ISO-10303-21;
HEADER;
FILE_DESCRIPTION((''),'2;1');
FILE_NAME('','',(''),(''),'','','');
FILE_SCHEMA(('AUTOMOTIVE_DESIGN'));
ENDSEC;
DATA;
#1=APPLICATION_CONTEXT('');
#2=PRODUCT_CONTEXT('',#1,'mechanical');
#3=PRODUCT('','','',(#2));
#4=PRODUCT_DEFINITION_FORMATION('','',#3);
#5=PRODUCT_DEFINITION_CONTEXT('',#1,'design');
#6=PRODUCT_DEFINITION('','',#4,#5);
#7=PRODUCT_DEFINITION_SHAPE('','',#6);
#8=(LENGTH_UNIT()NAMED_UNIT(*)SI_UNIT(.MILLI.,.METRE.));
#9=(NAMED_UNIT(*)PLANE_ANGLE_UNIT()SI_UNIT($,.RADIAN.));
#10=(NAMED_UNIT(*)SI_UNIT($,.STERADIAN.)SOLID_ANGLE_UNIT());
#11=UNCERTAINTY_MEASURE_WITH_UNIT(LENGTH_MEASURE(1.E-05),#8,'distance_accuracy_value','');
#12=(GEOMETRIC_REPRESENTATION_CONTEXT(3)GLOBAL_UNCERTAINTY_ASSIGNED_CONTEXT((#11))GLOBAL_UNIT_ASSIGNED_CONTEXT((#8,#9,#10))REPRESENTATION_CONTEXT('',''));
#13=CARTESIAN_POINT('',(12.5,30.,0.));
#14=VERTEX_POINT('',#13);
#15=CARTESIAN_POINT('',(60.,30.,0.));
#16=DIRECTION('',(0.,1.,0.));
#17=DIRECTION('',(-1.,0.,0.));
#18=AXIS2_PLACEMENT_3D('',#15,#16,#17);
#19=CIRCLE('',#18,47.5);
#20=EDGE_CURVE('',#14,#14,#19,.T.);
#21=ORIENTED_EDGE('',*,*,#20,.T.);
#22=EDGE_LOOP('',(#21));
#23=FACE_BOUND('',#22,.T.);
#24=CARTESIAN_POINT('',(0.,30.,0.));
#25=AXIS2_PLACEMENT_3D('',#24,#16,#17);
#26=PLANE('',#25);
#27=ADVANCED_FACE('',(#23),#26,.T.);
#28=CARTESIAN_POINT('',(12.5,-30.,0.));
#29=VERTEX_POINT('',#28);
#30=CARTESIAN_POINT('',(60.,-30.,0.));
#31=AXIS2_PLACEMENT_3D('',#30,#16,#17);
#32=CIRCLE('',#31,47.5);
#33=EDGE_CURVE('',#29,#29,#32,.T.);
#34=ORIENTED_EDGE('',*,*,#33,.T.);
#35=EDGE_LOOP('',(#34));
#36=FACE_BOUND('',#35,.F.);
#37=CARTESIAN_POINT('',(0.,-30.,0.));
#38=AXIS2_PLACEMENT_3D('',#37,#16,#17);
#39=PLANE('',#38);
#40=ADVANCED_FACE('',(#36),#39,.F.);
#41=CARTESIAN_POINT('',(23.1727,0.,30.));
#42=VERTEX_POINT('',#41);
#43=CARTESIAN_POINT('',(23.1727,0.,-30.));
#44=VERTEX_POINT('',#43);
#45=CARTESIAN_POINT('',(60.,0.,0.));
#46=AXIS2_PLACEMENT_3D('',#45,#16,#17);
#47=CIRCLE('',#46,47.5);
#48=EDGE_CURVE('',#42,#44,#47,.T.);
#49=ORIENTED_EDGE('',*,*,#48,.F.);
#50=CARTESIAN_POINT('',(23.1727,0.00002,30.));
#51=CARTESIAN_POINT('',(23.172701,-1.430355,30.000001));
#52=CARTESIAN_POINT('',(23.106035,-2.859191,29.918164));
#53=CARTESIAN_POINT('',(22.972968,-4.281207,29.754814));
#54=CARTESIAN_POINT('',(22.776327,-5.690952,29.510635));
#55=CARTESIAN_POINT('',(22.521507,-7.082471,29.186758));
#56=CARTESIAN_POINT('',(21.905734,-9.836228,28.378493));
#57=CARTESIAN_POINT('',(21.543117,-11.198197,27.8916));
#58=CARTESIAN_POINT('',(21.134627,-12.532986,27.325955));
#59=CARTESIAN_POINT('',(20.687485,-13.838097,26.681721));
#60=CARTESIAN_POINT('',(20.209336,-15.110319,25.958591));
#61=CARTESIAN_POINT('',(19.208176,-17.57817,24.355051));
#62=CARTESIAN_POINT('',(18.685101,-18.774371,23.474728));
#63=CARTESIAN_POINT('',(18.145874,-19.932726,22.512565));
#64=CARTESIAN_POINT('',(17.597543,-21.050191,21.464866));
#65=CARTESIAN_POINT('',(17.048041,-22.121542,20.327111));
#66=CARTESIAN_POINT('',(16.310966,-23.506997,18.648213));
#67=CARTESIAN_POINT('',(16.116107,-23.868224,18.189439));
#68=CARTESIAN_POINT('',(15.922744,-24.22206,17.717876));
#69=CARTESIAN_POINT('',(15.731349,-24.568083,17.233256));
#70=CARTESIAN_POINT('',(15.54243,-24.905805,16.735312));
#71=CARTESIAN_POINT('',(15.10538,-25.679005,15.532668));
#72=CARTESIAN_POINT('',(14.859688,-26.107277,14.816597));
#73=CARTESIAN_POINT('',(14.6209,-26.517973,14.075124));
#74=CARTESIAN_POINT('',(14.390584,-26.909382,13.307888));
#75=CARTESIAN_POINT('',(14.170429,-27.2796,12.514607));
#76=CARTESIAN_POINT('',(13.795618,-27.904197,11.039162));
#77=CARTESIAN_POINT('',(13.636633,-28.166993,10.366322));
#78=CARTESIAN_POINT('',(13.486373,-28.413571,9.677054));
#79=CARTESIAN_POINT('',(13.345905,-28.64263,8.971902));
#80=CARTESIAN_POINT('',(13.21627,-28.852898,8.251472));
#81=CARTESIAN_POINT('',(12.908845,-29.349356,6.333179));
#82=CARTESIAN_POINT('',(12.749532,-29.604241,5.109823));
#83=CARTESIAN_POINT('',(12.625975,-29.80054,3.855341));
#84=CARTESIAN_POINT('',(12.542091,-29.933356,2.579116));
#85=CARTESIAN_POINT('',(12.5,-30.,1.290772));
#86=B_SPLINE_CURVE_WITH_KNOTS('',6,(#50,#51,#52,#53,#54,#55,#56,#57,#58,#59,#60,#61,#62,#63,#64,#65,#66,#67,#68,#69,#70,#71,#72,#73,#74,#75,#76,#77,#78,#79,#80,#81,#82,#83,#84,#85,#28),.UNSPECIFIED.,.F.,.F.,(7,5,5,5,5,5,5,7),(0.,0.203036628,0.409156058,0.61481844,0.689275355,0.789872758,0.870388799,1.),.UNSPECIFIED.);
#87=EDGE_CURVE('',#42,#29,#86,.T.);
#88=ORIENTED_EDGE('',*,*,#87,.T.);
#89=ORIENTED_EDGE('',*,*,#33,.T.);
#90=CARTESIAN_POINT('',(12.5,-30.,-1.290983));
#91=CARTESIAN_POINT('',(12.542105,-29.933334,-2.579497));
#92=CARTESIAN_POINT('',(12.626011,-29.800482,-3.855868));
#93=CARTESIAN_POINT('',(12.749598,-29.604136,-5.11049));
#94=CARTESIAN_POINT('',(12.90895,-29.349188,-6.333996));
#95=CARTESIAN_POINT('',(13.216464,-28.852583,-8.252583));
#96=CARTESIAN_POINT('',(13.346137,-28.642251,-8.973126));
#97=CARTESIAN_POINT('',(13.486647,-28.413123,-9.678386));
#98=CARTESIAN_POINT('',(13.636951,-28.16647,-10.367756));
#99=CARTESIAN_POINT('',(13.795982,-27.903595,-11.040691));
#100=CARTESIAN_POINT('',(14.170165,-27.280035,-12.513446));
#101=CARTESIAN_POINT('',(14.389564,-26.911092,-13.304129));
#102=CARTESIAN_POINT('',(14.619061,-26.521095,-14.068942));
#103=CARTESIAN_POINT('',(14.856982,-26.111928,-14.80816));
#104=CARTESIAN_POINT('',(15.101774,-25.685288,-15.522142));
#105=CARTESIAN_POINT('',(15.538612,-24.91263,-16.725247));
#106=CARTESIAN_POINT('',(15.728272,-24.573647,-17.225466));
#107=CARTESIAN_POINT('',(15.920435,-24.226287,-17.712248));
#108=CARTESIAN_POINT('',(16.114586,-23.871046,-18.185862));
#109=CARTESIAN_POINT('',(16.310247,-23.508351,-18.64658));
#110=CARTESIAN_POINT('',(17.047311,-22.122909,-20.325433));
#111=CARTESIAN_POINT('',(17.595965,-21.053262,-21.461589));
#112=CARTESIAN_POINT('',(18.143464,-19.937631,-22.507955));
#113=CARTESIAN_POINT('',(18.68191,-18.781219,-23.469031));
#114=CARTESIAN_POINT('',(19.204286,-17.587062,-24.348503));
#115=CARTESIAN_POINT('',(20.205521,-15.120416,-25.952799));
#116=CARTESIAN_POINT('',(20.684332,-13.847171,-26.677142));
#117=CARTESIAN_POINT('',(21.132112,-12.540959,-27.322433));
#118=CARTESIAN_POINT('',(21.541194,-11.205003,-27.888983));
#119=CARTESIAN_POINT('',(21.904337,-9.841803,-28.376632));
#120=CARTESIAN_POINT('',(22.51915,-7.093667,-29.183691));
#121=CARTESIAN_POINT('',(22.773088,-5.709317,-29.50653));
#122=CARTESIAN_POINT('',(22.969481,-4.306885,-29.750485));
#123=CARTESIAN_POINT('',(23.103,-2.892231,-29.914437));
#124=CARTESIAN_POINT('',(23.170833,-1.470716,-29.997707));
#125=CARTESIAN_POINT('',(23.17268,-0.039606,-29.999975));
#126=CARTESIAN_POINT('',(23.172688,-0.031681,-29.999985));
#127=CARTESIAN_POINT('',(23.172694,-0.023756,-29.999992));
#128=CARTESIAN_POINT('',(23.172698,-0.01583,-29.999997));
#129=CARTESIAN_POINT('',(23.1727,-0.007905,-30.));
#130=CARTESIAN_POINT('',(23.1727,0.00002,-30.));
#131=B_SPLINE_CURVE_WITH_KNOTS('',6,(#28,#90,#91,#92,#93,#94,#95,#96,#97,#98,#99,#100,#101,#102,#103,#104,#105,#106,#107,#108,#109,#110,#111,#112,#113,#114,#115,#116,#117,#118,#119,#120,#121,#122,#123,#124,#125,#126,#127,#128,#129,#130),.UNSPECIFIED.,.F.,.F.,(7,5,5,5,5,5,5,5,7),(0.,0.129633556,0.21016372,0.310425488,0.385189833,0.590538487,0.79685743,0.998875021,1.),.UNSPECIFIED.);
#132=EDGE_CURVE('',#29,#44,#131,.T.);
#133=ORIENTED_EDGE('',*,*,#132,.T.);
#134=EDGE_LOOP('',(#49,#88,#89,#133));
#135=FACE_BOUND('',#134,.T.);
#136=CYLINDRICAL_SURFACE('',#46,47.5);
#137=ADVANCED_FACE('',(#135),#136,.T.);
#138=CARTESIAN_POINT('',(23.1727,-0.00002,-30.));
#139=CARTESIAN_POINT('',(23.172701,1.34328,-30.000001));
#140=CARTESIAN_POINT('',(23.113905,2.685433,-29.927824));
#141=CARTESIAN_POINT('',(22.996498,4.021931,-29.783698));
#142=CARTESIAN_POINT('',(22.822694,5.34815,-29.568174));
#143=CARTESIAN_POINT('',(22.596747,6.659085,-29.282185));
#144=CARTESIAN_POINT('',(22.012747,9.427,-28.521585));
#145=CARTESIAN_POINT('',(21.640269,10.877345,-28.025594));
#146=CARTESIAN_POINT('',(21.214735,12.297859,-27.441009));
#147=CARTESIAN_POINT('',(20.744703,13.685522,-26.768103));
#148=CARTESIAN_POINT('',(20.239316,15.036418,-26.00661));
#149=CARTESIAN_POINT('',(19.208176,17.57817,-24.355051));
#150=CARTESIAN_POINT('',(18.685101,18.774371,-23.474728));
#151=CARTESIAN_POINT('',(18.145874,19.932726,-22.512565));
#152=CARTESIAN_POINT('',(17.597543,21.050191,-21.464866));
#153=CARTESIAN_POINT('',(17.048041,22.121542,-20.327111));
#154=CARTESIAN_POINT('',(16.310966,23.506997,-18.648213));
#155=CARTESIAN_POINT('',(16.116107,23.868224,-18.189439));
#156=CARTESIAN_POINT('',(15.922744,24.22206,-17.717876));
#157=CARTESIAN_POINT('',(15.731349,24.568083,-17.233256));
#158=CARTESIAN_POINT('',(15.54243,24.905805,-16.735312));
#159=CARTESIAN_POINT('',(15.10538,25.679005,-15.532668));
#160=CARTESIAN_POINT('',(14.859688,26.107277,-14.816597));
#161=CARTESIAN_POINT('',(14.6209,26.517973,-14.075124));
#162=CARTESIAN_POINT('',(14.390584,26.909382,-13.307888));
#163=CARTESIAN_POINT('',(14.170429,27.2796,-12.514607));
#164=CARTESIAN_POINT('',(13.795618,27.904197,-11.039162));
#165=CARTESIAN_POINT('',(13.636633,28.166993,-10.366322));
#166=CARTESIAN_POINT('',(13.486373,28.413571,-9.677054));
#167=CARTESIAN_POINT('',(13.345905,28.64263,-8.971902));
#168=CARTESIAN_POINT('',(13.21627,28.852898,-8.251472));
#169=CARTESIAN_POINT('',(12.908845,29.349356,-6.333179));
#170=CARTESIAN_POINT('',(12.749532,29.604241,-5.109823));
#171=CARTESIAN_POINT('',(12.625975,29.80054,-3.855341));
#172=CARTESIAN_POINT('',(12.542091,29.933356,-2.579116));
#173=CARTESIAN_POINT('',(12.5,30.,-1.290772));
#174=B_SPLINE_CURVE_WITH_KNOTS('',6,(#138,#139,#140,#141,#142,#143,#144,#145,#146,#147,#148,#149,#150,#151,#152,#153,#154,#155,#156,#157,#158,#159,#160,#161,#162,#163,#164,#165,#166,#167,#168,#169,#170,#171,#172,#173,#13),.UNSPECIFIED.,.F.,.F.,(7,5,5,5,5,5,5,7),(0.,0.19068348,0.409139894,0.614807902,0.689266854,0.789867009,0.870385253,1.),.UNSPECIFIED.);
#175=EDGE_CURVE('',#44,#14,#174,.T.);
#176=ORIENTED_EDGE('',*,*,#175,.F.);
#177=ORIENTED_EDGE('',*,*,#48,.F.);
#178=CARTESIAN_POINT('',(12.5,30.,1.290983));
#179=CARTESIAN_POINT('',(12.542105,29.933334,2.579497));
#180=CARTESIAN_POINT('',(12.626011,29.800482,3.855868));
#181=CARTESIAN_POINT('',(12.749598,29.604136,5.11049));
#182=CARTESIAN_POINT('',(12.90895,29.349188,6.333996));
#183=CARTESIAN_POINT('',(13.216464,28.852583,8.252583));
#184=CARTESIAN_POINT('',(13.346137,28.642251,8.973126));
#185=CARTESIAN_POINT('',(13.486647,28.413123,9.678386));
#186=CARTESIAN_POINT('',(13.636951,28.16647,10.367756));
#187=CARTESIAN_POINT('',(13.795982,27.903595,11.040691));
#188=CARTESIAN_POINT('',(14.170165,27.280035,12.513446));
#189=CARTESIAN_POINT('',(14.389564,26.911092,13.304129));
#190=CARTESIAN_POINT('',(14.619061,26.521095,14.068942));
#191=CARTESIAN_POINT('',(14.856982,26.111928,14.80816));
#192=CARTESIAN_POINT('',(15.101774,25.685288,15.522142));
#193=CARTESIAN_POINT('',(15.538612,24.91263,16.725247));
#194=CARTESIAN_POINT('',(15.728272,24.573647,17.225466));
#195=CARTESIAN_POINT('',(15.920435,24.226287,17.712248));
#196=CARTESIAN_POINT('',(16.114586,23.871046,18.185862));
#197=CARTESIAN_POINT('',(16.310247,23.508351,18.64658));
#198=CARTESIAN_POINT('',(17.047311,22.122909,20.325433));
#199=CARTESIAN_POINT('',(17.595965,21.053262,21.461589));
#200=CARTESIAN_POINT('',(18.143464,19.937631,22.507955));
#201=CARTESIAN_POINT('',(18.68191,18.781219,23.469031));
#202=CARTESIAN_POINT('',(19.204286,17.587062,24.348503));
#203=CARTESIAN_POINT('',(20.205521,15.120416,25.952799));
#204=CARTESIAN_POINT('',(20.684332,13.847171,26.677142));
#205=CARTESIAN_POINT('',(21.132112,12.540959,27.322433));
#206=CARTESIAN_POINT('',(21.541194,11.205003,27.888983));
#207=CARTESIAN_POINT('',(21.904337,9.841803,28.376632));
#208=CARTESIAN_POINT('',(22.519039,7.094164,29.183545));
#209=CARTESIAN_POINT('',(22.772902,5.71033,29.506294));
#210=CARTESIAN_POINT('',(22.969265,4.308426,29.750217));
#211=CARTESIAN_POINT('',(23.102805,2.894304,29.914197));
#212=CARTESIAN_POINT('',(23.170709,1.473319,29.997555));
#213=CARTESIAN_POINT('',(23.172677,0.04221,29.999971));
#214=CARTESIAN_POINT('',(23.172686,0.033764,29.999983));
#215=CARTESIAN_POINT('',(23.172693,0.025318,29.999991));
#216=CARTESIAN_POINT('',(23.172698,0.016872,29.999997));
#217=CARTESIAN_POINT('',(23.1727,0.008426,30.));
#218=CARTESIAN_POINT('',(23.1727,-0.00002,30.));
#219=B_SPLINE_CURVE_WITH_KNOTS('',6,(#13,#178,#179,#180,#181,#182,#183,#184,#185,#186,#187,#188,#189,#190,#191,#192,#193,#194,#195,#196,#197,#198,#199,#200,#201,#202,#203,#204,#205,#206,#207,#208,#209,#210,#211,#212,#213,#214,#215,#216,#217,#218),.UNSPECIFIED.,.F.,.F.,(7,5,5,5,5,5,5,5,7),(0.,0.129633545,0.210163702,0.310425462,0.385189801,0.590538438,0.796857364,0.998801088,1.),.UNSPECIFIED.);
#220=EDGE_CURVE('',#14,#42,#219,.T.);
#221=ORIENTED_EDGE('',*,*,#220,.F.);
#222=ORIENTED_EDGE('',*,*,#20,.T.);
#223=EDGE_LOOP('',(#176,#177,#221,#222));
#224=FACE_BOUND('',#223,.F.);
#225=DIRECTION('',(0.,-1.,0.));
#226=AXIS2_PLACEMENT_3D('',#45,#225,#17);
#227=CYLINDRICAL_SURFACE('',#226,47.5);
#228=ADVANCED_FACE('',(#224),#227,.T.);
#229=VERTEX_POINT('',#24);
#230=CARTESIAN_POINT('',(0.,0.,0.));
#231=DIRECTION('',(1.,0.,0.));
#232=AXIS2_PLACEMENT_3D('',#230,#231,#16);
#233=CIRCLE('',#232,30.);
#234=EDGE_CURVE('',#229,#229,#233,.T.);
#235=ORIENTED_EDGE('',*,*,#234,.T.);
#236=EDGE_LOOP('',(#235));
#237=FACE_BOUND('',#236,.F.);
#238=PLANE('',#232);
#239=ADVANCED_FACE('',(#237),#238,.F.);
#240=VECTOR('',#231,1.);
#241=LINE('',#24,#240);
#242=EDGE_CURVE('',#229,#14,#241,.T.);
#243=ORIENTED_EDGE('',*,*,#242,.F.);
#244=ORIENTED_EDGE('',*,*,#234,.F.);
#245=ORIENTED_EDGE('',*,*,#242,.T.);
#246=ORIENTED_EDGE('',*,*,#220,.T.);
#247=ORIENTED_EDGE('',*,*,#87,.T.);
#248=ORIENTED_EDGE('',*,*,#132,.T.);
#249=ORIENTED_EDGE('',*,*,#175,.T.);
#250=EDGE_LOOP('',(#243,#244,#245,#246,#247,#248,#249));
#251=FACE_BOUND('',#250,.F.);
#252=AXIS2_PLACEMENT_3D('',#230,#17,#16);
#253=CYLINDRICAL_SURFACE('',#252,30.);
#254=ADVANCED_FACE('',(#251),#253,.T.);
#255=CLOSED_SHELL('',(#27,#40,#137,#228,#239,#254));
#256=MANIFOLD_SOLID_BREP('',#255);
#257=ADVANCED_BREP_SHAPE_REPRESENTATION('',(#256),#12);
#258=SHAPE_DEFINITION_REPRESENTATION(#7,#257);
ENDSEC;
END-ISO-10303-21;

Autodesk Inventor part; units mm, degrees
ref_plane "YZ Plane" through (0, 0, 0) normal (1, 0, 0) x (0, 1, 0)
ref_plane "XZ Plane" through (0, 0, 0) normal (0, 1, 0) x (-1, 0, 0)
ref_plane "XY Plane" through (0, 0, 0) normal (0, 0, 1) x (1, 0, 0)
sketch "Sketch1" plane through (0, 0, 0) normal (1, 0, 0) x (0, 1, 0)
  circle A0 centre (0, 0) radius 30
  dimension "d0" = 60
extrude "Extrusion1" add sketch "Sketch1" along normal blind 60
sketch "Sketch2" plane through (0, 0, 0) normal (0, 1, 0) x (-1, 0, 0)
  line L0 (-60, 30) -> (-60, -30) projected
  circle A0 centre (-60, 0) radius 47.5
  point P0 (0, 0)
  dimension "d3" = 95
extrude "Extrusion2" add sketch "Sketch2" along normal mid plane 60
properties part number "hip"
